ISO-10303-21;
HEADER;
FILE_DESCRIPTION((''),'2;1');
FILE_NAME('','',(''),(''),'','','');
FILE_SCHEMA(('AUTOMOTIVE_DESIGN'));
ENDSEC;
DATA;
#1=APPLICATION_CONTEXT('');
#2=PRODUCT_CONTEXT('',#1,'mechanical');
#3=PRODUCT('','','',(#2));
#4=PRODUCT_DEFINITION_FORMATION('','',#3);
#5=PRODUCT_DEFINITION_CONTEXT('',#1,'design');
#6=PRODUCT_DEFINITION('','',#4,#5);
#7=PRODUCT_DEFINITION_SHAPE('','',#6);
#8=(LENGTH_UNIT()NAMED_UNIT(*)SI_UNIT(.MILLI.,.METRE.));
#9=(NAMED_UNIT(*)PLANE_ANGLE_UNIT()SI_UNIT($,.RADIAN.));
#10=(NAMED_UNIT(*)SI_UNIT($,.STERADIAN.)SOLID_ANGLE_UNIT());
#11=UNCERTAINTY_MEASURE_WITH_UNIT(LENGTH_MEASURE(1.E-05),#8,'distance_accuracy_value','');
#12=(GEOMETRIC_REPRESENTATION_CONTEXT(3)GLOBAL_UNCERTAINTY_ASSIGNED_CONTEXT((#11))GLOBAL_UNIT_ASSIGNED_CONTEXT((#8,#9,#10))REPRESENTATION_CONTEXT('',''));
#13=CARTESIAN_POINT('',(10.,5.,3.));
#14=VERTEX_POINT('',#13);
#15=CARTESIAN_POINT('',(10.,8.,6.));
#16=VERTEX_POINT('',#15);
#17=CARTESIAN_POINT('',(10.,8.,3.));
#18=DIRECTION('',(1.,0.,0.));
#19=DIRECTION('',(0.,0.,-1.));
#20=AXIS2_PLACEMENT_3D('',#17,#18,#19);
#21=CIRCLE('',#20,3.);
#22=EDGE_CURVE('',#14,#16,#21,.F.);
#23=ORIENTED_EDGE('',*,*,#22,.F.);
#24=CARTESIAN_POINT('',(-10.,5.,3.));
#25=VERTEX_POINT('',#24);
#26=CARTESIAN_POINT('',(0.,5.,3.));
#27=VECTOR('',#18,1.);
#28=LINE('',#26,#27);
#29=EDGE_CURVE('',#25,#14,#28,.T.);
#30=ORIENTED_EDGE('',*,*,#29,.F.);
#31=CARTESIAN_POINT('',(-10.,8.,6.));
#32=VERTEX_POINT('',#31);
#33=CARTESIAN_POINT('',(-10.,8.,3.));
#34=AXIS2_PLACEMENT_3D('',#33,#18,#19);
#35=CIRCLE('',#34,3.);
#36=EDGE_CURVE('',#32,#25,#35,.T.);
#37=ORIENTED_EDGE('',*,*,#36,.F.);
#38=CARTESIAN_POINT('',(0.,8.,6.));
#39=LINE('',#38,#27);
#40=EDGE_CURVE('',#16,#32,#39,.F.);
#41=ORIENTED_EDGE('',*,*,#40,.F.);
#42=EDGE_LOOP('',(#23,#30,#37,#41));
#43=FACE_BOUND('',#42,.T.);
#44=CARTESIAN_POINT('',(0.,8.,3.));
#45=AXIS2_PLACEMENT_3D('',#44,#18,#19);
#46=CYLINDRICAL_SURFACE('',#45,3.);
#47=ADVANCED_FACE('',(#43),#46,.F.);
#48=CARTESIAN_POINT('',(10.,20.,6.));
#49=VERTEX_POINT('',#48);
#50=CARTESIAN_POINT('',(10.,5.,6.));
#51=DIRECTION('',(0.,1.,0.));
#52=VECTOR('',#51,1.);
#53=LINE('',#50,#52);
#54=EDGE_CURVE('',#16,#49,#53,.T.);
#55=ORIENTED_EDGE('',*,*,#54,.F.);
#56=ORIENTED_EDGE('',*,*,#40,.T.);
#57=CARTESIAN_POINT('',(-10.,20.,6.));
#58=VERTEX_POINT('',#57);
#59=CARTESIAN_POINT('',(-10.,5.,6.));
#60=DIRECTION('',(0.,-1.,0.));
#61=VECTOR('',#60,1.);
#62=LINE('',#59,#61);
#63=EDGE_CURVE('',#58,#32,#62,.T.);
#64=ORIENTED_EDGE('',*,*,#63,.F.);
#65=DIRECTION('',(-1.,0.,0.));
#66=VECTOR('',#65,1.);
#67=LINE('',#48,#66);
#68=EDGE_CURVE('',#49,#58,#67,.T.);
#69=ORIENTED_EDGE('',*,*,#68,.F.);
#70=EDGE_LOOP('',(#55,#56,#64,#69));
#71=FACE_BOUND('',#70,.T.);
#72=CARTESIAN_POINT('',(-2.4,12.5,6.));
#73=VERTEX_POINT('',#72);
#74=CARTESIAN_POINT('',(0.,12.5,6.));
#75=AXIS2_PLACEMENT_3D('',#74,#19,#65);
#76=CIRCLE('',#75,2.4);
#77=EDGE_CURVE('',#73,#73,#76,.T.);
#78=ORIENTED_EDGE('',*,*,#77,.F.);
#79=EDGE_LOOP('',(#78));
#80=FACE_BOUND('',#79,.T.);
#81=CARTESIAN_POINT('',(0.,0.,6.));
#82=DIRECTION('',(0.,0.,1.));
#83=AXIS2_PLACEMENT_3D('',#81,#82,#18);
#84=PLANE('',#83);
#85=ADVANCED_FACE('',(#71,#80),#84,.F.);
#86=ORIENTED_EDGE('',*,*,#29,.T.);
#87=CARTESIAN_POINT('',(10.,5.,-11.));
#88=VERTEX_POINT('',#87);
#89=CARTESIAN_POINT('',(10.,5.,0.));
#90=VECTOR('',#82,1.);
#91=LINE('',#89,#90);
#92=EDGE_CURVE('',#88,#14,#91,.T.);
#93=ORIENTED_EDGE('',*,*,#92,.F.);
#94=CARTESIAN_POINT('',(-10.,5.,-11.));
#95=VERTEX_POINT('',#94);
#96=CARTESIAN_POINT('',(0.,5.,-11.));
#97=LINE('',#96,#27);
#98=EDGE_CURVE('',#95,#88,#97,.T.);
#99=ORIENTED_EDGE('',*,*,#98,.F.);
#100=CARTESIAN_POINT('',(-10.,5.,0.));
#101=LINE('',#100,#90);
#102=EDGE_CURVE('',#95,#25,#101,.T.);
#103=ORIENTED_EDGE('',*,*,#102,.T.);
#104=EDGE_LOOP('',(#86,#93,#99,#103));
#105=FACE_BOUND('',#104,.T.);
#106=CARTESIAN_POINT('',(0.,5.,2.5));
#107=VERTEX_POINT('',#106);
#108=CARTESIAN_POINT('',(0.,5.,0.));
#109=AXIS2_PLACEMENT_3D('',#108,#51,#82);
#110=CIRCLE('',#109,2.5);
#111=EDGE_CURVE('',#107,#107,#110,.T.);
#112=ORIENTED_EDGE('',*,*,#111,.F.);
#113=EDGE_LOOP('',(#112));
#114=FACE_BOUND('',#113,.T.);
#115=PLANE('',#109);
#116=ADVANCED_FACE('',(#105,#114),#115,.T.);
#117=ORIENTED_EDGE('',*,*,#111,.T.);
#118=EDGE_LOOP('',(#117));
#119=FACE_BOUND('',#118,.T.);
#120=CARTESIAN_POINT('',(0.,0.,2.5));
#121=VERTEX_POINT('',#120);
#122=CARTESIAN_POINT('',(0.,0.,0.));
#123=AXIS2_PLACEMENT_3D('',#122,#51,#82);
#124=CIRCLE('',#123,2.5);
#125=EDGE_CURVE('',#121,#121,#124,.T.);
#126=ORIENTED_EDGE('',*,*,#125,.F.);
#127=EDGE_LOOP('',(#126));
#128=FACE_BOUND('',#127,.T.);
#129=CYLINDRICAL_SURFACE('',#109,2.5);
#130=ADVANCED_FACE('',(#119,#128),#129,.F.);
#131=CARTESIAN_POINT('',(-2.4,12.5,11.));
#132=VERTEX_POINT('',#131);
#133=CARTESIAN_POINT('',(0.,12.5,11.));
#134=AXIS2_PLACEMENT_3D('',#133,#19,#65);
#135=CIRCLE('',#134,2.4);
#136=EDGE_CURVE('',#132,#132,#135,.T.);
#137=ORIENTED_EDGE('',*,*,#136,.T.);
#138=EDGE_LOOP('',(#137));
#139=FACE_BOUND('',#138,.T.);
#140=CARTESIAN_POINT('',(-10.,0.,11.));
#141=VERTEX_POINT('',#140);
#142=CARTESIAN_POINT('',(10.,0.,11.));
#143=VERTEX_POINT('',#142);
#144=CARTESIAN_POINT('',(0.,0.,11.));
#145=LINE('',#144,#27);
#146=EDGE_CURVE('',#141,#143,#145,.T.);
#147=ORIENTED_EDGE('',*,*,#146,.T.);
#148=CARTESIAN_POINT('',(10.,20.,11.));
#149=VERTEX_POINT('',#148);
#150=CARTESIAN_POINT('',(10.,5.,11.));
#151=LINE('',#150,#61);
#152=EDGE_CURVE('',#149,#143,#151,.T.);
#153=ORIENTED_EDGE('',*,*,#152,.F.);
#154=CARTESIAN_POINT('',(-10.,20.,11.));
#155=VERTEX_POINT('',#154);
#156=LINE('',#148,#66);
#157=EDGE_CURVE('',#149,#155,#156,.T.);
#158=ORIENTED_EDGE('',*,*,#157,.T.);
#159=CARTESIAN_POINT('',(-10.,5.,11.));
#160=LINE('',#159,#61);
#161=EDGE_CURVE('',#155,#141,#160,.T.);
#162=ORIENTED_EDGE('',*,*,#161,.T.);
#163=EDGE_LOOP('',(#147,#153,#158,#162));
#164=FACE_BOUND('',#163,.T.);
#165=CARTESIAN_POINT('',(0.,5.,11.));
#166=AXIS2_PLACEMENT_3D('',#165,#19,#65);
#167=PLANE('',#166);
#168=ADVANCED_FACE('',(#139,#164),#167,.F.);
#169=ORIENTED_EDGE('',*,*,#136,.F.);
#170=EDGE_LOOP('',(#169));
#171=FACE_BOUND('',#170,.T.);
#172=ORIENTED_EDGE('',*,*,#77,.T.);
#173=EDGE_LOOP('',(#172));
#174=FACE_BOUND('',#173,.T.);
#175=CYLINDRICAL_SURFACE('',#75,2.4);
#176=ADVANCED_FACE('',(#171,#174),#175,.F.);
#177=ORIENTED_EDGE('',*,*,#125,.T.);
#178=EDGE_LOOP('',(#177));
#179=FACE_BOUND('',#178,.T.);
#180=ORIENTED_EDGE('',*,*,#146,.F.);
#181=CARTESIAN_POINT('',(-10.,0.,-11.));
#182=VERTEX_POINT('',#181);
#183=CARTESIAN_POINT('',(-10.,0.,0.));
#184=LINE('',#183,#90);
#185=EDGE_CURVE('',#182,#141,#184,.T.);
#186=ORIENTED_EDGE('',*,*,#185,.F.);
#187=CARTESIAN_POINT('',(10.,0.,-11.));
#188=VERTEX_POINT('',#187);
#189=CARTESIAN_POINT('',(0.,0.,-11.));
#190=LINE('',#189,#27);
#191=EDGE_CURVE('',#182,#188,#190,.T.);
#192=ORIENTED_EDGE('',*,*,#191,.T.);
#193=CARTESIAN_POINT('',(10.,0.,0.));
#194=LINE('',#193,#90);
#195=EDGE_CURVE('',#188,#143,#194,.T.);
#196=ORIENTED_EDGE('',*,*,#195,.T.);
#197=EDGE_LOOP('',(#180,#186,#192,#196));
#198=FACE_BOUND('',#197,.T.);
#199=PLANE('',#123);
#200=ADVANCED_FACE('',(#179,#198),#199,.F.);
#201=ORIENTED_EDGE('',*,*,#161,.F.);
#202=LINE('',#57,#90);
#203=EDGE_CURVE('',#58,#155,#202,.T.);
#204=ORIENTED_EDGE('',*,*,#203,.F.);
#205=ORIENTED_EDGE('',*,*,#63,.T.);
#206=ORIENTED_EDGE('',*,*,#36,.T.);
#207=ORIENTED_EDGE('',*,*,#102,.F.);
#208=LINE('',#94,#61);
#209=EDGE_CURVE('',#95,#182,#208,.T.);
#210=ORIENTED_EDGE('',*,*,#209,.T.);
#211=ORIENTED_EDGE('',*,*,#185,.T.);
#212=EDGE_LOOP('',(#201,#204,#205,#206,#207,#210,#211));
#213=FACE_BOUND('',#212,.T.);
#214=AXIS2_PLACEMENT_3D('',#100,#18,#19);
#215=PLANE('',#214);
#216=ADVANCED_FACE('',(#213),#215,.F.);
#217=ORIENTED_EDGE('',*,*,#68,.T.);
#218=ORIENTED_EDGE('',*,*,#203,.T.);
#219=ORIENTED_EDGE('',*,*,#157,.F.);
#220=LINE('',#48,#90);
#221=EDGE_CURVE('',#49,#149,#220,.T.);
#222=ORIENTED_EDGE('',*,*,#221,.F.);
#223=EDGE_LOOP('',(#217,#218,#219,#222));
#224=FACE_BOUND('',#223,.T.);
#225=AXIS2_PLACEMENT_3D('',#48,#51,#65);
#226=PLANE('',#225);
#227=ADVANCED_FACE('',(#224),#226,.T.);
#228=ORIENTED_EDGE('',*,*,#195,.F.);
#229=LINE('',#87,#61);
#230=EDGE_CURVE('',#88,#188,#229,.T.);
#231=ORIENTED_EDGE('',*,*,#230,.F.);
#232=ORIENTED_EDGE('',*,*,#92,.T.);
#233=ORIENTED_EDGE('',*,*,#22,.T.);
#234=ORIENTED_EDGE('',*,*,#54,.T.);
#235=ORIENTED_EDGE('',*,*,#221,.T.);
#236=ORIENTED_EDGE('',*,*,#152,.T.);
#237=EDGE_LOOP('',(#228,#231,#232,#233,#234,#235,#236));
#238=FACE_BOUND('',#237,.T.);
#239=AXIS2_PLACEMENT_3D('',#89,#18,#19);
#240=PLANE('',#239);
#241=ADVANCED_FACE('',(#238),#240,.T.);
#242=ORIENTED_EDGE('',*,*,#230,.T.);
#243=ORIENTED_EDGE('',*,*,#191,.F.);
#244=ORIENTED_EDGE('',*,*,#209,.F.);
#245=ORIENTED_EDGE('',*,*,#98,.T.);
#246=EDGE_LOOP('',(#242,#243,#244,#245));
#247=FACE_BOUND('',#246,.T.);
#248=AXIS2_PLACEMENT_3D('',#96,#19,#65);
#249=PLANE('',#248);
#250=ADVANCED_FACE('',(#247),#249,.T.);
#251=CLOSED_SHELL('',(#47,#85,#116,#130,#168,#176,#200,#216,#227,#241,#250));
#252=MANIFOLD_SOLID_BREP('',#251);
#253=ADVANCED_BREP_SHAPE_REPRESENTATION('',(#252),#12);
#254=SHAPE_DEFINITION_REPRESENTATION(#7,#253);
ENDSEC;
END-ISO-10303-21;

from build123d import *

# Parameters (mm, degrees)
SKETCH1_W                    = 20
SKETCH1_H                    = 5
SKETCH1_H_2                  = 12
BOSS_EXTRUDE1_DEPTH          = 5
SKETCH2_W                    = 20
SKETCH2_H                    = 15
BOSS_EXTRUDE2_DEPTH          = 5
F_5_0_5_DIAMETER_HOLE1_D     = 5
F_5_0_5_DIAMETER_HOLE1_DEPTH = 5
F_4_5_M4_HEAT_SET_D          = 4.8
F_4_5_M4_HEAT_SET_DEPTH      = 5
FILLET1_R                    = 3


with BuildPart() as part:
    # Sketch1 → Boss-Extrude1 (new body)
    with BuildSketch(Plane(origin=(0, 0, 0), x_dir=(1, 0, 0), z_dir=(0, 1, 0))):
        with Locations((0, 8.5)):
            Rectangle(SKETCH1_W, SKETCH1_H)
        Rectangle(SKETCH1_W, SKETCH1_H_2)
        with Locations((0, -8.5)):
            Rectangle(SKETCH1_W, SKETCH1_H)
    extrude(amount=BOSS_EXTRUDE1_DEPTH)

    # Sketch2 → Boss-Extrude2 (add)
    with BuildSketch(Plane.XY.offset(11)):
        with Locations((0, 12.5)):
            Rectangle(SKETCH2_W, SKETCH2_H)
    extrude(amount=-BOSS_EXTRUDE2_DEPTH)

    # Ø5.0 (5) Diameter Hole1
    with Locations(Plane(origin=(0, 5, 0), x_dir=(1, 0, 0), z_dir=(0, 1, 0))):
        with Locations((0, 0)):
            Hole(F_5_0_5_DIAMETER_HOLE1_D / 2, depth=F_5_0_5_DIAMETER_HOLE1_DEPTH)

    # Ø4.5 M4 heat set
    with Locations(Plane(origin=(0, 0, 6), x_dir=(1, 0, 0), z_dir=(0, 0, -1))):
        with Locations((0, -12.5)):
            Hole(F_4_5_M4_HEAT_SET_D / 2, depth=F_4_5_M4_HEAT_SET_DEPTH)

    # Fillet1
    fillet1_edges = [part.edges().sort_by_distance(p)[0] for p in [
        (0, 5, 6),
    ]]
    fillet(fillet1_edges, radius=FILLET1_R)


solid = part.part
